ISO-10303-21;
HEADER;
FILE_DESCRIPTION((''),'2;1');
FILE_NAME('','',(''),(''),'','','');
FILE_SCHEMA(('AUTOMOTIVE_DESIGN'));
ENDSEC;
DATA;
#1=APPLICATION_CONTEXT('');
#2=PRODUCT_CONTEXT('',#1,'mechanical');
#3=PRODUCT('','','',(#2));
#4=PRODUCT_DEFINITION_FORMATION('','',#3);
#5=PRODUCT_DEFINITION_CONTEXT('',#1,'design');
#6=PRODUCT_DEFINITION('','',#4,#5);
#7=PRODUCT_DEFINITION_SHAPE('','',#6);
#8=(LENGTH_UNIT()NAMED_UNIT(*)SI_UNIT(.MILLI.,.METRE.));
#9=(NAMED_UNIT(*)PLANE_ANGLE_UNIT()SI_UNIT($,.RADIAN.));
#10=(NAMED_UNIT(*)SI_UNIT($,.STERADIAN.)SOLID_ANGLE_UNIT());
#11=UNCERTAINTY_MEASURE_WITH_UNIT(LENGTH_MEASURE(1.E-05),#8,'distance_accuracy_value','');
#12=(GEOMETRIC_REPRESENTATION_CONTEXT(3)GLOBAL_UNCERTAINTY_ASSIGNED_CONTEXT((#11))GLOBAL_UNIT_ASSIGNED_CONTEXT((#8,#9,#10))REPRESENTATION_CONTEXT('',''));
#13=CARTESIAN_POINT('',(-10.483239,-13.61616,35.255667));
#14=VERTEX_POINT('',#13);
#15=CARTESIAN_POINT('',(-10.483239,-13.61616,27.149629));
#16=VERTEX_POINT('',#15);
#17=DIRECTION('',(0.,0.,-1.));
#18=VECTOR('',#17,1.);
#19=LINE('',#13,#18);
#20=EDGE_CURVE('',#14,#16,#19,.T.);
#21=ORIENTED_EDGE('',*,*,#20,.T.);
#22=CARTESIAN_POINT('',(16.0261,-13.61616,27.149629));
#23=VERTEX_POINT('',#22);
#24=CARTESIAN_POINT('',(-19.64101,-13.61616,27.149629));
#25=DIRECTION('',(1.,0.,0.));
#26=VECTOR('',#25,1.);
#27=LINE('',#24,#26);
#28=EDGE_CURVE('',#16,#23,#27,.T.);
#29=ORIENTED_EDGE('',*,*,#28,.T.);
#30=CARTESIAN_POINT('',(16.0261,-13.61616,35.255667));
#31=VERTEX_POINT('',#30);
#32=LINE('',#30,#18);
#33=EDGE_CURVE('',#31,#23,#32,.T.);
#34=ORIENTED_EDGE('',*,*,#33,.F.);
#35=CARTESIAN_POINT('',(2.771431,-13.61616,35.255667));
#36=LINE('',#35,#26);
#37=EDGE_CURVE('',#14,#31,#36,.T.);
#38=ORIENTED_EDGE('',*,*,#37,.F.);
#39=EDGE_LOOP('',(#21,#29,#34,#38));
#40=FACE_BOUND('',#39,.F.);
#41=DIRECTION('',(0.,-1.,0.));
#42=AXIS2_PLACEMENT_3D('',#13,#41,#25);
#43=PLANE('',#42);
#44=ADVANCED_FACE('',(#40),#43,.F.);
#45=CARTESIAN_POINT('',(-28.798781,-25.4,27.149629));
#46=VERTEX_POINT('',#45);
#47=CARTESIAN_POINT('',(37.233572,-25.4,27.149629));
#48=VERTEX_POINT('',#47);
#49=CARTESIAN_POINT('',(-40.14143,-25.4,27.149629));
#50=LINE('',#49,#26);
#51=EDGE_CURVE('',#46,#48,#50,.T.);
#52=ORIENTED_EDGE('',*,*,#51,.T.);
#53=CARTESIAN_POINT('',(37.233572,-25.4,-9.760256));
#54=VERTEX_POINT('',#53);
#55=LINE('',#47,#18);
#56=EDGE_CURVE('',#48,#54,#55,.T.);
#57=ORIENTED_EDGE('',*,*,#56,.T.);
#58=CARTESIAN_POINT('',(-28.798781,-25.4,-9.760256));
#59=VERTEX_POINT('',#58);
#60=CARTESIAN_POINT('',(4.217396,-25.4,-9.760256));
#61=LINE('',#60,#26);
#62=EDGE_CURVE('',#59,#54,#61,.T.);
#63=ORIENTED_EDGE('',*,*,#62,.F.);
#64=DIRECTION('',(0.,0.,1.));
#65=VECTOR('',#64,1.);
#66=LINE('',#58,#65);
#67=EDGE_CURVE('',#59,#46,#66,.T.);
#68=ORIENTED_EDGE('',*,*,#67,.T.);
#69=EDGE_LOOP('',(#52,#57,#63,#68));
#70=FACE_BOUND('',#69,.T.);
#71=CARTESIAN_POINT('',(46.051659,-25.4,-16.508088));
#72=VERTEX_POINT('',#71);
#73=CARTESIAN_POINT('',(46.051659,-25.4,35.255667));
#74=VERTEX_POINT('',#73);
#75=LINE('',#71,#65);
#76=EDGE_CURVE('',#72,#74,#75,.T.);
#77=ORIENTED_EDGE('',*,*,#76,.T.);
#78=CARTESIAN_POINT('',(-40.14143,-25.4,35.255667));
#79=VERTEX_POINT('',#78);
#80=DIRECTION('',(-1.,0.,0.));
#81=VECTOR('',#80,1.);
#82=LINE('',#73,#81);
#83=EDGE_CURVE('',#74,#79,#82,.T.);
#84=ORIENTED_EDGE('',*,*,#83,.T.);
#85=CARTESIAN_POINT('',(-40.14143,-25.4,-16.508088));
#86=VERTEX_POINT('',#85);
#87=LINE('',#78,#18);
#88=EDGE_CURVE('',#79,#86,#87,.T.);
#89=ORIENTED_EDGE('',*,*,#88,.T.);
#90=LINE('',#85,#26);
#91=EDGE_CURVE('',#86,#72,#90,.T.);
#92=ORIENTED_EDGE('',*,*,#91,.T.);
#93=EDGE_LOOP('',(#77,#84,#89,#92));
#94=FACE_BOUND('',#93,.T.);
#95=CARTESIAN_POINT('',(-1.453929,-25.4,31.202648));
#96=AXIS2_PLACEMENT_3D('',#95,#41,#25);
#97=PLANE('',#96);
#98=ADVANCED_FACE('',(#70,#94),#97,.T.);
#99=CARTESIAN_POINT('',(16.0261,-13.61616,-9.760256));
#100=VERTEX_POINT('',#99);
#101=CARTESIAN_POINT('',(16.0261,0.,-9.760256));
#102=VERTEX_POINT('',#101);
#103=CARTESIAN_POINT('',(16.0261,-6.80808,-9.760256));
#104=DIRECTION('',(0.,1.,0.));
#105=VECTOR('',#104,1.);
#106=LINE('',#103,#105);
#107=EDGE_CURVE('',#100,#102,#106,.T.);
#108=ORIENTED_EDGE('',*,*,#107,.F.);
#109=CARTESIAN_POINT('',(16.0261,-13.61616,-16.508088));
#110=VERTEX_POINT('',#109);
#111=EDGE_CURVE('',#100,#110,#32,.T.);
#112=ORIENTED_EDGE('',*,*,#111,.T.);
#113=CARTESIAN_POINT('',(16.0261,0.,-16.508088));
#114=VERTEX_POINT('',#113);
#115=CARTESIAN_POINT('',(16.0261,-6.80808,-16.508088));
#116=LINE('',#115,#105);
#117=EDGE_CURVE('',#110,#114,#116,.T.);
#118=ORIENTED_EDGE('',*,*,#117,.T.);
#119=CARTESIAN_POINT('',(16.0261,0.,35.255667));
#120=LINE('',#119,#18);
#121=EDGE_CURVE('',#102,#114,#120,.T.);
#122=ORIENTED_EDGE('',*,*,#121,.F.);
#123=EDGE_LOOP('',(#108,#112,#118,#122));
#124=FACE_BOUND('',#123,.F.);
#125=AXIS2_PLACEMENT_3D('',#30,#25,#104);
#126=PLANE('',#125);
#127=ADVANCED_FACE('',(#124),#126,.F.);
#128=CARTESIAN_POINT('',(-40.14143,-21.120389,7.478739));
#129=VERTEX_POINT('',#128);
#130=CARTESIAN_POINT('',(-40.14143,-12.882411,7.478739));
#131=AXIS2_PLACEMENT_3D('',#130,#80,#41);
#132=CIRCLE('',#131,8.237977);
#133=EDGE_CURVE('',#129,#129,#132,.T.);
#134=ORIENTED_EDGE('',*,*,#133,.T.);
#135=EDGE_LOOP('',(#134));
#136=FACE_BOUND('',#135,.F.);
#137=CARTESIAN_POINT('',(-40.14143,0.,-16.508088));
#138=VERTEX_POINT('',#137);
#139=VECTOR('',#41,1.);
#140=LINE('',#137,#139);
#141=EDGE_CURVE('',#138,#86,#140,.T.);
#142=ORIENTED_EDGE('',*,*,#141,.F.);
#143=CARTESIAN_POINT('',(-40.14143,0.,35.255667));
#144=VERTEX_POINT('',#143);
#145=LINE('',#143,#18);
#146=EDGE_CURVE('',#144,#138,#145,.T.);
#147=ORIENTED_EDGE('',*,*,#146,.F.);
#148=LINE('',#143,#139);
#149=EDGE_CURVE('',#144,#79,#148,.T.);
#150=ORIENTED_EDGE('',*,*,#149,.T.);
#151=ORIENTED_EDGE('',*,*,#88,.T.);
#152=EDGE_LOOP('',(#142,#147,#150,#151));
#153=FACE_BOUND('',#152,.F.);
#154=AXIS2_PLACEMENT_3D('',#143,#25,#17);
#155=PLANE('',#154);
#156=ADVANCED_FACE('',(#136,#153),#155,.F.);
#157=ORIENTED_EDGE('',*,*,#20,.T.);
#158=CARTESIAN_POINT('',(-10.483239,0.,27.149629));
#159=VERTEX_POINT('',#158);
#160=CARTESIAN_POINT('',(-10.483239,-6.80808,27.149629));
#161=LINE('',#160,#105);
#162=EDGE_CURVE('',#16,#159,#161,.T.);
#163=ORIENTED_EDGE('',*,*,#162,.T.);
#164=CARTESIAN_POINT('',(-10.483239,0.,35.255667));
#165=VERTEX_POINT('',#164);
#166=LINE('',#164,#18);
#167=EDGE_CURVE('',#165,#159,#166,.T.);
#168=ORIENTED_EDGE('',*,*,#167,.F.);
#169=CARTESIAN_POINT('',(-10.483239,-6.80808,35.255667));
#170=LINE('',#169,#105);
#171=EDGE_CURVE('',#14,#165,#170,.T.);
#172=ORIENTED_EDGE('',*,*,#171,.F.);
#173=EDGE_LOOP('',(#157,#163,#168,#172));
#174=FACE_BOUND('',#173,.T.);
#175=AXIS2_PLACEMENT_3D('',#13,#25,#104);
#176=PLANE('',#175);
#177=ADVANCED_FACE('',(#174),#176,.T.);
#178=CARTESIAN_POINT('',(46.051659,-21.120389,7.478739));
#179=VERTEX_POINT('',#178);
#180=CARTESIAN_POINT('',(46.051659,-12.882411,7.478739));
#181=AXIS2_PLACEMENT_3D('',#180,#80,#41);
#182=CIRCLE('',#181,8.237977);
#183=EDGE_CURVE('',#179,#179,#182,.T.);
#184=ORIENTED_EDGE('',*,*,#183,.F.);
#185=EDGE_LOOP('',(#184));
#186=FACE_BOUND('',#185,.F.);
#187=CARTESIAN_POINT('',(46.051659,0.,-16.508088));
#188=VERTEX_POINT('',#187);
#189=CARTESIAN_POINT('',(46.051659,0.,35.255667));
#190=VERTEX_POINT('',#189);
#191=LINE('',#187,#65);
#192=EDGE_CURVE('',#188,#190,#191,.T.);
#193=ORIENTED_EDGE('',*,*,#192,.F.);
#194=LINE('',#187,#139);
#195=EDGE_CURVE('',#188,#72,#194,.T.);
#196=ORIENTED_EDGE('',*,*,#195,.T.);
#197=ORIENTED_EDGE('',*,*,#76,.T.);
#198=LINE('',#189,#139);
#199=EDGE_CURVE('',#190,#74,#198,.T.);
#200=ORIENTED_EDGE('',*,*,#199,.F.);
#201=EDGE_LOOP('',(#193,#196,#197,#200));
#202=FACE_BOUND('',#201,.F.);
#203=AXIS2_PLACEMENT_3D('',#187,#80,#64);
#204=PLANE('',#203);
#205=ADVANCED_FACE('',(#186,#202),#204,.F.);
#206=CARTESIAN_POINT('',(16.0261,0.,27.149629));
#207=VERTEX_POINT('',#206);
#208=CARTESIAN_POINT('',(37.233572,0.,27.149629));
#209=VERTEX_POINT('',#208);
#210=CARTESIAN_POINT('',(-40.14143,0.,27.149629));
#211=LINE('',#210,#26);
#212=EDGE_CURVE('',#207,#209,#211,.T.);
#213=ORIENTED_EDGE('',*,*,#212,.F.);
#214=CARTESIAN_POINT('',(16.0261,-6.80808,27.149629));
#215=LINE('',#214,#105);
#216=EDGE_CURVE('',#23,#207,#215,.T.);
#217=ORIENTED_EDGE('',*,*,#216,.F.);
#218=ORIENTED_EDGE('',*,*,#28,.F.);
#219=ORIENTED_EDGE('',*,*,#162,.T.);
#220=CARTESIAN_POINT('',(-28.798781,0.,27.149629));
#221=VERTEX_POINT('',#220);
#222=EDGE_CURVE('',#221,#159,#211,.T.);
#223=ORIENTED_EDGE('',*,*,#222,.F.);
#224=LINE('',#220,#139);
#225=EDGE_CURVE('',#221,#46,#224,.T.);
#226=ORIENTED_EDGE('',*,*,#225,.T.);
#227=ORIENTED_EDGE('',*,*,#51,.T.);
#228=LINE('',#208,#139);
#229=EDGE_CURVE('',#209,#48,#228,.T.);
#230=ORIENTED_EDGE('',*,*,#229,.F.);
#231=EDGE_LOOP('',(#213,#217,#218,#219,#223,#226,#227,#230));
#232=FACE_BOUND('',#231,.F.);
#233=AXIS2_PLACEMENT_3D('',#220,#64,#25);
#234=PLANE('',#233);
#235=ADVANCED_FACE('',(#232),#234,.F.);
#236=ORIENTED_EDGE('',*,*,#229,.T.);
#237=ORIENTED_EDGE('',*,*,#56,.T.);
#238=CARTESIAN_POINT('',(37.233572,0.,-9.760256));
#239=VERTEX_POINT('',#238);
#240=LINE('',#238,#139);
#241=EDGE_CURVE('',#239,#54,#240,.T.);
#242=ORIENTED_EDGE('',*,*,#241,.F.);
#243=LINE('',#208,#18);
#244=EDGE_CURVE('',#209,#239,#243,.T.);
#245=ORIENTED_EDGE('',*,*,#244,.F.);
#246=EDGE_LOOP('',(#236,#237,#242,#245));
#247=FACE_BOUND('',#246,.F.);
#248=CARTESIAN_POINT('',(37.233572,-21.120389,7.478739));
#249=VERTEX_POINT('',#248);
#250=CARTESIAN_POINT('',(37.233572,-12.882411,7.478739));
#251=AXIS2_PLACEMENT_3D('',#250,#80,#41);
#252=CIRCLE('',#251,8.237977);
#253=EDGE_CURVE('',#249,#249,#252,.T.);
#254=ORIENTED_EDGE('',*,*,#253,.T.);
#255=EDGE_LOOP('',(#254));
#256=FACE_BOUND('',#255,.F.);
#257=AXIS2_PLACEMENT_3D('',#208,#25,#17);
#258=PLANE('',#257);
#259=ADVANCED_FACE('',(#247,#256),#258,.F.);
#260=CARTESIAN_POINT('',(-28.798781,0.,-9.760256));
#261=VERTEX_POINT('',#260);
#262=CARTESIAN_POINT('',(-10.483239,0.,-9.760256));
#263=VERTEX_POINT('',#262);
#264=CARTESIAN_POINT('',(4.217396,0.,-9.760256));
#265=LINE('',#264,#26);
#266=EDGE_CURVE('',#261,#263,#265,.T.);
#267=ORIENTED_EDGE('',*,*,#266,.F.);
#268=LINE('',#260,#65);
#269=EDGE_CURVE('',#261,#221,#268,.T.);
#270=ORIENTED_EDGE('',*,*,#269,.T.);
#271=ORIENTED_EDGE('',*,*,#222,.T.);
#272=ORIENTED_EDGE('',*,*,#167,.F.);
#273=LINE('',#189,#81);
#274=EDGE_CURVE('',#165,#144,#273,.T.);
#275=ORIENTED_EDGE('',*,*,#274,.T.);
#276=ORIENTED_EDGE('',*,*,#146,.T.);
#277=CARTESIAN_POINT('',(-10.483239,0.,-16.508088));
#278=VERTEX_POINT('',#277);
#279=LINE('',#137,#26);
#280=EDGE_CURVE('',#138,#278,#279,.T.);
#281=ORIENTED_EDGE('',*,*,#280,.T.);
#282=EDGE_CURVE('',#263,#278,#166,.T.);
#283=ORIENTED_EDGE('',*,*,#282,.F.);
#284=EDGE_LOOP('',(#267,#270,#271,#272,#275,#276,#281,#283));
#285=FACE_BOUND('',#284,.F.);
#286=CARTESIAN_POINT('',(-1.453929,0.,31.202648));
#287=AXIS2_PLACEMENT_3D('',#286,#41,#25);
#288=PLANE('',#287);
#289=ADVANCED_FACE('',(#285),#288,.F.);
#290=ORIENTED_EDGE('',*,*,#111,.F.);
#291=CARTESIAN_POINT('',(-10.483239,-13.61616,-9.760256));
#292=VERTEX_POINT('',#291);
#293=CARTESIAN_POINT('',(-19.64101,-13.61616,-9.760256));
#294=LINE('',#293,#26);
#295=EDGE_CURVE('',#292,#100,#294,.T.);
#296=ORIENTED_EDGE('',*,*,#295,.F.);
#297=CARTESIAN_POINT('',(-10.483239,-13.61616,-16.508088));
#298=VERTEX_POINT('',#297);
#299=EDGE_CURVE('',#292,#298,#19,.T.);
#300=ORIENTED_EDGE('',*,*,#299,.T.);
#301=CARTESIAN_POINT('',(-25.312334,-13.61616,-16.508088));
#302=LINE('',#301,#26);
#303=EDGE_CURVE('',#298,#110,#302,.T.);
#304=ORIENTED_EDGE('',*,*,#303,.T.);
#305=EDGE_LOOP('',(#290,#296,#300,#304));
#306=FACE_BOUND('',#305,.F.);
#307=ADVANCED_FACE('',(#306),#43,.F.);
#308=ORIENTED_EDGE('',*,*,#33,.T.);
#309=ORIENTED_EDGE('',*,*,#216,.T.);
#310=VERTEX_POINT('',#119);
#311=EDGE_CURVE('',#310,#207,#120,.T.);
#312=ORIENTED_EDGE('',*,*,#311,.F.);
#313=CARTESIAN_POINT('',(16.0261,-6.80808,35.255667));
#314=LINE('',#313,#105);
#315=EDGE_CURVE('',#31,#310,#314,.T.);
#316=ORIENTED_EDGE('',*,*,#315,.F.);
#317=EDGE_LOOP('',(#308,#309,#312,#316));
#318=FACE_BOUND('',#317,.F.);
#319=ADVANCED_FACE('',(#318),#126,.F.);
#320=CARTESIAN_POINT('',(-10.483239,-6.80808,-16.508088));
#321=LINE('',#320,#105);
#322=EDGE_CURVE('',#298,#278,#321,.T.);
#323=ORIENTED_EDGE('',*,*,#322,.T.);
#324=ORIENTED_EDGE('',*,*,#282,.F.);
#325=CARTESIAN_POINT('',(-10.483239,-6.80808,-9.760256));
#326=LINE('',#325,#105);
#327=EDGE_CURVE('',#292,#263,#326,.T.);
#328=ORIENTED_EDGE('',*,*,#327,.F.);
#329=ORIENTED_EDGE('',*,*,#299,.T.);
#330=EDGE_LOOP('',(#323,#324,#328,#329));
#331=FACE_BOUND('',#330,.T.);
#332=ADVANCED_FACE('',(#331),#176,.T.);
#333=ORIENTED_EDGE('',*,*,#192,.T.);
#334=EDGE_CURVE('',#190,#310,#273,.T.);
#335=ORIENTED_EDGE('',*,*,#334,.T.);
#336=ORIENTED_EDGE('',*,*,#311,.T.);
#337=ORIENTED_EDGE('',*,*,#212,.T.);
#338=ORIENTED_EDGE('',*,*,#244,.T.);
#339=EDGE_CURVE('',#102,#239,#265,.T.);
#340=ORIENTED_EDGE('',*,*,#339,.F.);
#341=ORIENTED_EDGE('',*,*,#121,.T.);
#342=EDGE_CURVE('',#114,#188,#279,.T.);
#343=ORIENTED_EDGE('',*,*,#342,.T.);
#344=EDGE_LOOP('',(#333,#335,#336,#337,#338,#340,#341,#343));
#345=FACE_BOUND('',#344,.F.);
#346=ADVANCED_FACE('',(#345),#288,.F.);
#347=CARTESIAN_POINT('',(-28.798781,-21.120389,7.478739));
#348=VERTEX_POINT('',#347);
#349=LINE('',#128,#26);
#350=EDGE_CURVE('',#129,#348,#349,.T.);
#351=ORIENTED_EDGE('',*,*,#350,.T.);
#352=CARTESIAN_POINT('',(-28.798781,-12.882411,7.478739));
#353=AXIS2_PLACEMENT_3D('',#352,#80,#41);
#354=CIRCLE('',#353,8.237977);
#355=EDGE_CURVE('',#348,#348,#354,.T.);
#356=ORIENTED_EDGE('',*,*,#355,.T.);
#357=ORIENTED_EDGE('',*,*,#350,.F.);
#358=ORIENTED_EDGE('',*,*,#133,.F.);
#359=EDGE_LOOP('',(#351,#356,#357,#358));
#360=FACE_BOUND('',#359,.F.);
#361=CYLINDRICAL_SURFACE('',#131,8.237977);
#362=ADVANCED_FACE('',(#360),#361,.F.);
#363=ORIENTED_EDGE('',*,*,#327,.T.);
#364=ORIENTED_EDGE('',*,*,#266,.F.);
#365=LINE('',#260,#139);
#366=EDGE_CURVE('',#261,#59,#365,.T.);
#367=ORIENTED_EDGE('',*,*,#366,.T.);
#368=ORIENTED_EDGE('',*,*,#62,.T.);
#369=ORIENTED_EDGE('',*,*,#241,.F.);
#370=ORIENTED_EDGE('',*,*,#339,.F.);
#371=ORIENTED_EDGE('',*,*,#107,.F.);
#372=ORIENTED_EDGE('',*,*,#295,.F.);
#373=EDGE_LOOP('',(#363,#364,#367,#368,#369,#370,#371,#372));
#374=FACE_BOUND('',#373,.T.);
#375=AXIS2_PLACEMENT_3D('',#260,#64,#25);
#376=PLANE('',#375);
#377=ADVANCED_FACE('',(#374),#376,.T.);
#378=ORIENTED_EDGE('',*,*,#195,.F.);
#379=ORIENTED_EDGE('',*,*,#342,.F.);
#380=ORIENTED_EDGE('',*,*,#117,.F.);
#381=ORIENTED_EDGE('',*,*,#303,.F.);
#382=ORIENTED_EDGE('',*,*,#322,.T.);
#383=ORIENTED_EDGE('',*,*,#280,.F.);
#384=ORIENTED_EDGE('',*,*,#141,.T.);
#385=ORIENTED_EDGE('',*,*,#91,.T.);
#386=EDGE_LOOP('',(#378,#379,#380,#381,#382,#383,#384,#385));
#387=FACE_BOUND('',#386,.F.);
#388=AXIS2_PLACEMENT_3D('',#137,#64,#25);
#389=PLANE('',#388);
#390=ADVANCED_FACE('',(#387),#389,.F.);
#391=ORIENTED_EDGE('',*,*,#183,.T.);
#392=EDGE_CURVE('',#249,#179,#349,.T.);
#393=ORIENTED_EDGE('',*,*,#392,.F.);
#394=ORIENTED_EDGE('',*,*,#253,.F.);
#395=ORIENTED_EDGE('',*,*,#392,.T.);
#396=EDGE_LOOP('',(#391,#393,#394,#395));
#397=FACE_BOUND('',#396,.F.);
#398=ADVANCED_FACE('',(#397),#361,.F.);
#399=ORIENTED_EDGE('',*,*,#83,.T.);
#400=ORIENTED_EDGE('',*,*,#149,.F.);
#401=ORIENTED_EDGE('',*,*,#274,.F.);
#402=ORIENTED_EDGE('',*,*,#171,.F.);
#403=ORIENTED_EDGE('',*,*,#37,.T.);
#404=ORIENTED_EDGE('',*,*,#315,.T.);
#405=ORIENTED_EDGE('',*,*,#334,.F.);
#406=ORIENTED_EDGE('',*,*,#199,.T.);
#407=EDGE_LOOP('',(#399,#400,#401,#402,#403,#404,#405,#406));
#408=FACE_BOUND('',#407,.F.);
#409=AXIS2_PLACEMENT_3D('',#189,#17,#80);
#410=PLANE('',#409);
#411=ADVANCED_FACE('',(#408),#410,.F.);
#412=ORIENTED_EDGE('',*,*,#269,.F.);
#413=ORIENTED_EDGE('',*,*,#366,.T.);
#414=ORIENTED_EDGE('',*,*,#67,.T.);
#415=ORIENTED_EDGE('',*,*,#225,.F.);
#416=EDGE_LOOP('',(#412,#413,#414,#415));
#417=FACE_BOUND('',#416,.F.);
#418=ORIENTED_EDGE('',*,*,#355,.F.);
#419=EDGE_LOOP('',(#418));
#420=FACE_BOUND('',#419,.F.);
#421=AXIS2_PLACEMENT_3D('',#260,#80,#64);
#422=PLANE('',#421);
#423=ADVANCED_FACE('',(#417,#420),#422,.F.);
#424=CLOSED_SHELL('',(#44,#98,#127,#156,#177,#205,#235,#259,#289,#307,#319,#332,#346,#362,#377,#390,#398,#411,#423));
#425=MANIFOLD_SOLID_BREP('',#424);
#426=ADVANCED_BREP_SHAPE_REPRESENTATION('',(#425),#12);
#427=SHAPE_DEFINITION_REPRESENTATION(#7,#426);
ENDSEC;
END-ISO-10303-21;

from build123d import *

# Parameters (mm, degrees)
F0_W     = 66.0323537886
F0_H     = 6.7478315905
F1_DEPTH = 25.4
F2_DEPTH = 25.4
F3_W     = 26.5093389899
F3_H     = 13.6161595583
F4_DEPTH = 76.454
F5_R     = 8.2379774364
F6_DEPTH = 155.194


with BuildPart() as f1:
    # F0 (on Front) → F1 (new body)
    with BuildSketch(Plane.XZ):
        Polygon((-40.1414297521, 27.1496288478), (-28.7987813354, 27.1496288478), (37.2335724533, 27.1496288478), (37.2335724533, 35.2556668222), (-40.1414297521, 35.2556668222), align=None)
        with Locations((4.217395559, -13.1341717206)):
            Rectangle(F0_W, F0_H)
        Polygon((-40.1414297521, -16.5080875158), (-28.7987813354, -16.5080875158), (-28.7987813354, -9.7602559254), (-28.7987813354, 27.1496288478), (-40.1414297521, 27.1496288478), align=None)
        Polygon((37.2335724533, -9.7602559254), (37.2335724533, -16.5080875158), (46.05165869, -16.5080875158), (46.05165869, 35.2556668222), (37.2335724533, 35.2556668222), (37.2335724533, 27.1496288478), align=None)
    extrude(amount=F1_DEPTH)

    # F0 (on Front) → F2 (join)
    with BuildSketch(Plane.XZ):
        Polygon((-40.1414297521, 27.1496288478), (-28.7987813354, 27.1496288478), (37.2335724533, 27.1496288478), (37.2335724533, 35.2556668222), (-40.1414297521, 35.2556668222), align=None)
        with Locations((4.217395559, -13.1341717206)):
            Rectangle(F0_W, F0_H)
        Polygon((-40.1414297521, -16.5080875158), (-28.7987813354, -16.5080875158), (-28.7987813354, -9.7602559254), (-28.7987813354, 27.1496288478), (-40.1414297521, 27.1496288478), align=None)
        Polygon((37.2335724533, -9.7602559254), (37.2335724533, -16.5080875158), (46.05165869, -16.5080875158), (46.05165869, 35.2556668222), (37.2335724533, 35.2556668222), (37.2335724533, 27.1496288478), align=None)
    extrude(amount=F2_DEPTH)

    # F3 (on face) → F4 (cut)
    with BuildSketch(Plane.XY.offset(35.2556668222)):
        with Locations((2.7714306489, -6.8080797791)):
            Rectangle(F3_W, F3_H)
    extrude(amount=-F4_DEPTH, mode=Mode.SUBTRACT)

    # F5 (on face) → F6 (cut)
    with BuildSketch(Plane(origin=(-40.1414297521, 0, 0), x_dir=(0, -1, 0), z_dir=(-1, 0, 0))):
        with Locations((12.8824114799, 7.4787386693)):
            Circle(F5_R)
    extrude(amount=-F6_DEPTH, mode=Mode.SUBTRACT)


solid = f1.part
